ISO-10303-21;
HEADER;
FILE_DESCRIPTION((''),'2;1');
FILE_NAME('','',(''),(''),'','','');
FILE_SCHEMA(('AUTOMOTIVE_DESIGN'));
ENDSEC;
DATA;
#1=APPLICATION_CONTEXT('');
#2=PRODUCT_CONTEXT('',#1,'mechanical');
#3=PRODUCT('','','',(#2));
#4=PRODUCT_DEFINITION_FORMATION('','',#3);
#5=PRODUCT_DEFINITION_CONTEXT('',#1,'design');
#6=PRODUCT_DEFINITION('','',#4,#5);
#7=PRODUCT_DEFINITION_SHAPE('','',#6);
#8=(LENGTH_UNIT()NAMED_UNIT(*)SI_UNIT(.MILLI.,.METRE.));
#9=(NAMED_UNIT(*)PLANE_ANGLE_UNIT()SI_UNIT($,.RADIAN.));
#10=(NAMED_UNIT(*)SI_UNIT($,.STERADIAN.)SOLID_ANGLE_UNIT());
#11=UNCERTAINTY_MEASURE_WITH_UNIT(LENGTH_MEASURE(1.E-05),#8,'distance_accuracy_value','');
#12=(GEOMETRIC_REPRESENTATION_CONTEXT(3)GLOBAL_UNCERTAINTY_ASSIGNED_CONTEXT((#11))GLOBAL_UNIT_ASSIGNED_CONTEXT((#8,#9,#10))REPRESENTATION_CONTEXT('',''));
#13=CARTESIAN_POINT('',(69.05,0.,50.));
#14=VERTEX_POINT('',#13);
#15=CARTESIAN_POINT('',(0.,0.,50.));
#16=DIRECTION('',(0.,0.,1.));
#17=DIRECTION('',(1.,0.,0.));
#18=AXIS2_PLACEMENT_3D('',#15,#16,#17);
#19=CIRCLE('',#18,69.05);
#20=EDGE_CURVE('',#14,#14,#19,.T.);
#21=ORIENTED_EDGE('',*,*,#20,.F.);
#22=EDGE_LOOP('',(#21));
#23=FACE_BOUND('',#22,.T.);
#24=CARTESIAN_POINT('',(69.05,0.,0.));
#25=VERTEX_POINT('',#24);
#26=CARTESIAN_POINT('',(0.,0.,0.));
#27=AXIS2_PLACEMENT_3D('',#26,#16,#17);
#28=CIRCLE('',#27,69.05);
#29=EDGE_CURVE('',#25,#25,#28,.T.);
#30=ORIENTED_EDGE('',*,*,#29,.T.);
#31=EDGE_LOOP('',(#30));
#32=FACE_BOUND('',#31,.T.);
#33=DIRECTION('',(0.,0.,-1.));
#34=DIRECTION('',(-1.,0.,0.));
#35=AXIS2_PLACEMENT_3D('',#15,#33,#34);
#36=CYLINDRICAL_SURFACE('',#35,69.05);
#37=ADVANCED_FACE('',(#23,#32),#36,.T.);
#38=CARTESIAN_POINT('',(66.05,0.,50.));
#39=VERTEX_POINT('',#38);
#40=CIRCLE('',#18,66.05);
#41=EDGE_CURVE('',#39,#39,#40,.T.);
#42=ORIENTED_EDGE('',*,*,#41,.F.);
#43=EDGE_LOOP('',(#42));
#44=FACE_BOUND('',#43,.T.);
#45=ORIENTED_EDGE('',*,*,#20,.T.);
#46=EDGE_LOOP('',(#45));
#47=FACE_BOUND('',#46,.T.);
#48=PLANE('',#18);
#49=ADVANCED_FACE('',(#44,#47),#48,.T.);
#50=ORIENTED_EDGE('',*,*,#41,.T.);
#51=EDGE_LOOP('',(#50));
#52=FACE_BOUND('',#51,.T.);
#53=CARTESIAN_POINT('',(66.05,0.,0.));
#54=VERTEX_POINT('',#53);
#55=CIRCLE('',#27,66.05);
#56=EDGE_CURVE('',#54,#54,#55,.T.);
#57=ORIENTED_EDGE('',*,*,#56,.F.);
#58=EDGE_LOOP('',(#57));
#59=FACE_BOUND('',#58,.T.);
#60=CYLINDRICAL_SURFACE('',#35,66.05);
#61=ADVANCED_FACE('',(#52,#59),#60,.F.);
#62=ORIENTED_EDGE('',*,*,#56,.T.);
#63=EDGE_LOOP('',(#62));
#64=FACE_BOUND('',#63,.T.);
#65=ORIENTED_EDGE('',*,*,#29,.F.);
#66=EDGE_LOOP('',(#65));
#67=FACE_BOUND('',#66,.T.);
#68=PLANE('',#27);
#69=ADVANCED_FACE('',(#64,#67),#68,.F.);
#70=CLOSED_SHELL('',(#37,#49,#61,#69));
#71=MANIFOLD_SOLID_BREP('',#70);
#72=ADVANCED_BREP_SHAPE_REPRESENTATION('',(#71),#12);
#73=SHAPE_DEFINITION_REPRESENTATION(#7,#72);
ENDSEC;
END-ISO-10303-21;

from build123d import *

# Parameters (mm, degrees)
SKETCH_1_R      = 69.05
SKETCH_1_R_2    = 66.05
EXTRUDE_1_DEPTH = 50


with BuildPart() as part:
    # Эскиз1 → Бобышка-Вытянуть1 (new body)
    with BuildSketch(Plane.XY):
        Circle(SKETCH_1_R)
        Circle(SKETCH_1_R_2, mode=Mode.SUBTRACT)
    extrude(amount=EXTRUDE_1_DEPTH)


solid = part.part
